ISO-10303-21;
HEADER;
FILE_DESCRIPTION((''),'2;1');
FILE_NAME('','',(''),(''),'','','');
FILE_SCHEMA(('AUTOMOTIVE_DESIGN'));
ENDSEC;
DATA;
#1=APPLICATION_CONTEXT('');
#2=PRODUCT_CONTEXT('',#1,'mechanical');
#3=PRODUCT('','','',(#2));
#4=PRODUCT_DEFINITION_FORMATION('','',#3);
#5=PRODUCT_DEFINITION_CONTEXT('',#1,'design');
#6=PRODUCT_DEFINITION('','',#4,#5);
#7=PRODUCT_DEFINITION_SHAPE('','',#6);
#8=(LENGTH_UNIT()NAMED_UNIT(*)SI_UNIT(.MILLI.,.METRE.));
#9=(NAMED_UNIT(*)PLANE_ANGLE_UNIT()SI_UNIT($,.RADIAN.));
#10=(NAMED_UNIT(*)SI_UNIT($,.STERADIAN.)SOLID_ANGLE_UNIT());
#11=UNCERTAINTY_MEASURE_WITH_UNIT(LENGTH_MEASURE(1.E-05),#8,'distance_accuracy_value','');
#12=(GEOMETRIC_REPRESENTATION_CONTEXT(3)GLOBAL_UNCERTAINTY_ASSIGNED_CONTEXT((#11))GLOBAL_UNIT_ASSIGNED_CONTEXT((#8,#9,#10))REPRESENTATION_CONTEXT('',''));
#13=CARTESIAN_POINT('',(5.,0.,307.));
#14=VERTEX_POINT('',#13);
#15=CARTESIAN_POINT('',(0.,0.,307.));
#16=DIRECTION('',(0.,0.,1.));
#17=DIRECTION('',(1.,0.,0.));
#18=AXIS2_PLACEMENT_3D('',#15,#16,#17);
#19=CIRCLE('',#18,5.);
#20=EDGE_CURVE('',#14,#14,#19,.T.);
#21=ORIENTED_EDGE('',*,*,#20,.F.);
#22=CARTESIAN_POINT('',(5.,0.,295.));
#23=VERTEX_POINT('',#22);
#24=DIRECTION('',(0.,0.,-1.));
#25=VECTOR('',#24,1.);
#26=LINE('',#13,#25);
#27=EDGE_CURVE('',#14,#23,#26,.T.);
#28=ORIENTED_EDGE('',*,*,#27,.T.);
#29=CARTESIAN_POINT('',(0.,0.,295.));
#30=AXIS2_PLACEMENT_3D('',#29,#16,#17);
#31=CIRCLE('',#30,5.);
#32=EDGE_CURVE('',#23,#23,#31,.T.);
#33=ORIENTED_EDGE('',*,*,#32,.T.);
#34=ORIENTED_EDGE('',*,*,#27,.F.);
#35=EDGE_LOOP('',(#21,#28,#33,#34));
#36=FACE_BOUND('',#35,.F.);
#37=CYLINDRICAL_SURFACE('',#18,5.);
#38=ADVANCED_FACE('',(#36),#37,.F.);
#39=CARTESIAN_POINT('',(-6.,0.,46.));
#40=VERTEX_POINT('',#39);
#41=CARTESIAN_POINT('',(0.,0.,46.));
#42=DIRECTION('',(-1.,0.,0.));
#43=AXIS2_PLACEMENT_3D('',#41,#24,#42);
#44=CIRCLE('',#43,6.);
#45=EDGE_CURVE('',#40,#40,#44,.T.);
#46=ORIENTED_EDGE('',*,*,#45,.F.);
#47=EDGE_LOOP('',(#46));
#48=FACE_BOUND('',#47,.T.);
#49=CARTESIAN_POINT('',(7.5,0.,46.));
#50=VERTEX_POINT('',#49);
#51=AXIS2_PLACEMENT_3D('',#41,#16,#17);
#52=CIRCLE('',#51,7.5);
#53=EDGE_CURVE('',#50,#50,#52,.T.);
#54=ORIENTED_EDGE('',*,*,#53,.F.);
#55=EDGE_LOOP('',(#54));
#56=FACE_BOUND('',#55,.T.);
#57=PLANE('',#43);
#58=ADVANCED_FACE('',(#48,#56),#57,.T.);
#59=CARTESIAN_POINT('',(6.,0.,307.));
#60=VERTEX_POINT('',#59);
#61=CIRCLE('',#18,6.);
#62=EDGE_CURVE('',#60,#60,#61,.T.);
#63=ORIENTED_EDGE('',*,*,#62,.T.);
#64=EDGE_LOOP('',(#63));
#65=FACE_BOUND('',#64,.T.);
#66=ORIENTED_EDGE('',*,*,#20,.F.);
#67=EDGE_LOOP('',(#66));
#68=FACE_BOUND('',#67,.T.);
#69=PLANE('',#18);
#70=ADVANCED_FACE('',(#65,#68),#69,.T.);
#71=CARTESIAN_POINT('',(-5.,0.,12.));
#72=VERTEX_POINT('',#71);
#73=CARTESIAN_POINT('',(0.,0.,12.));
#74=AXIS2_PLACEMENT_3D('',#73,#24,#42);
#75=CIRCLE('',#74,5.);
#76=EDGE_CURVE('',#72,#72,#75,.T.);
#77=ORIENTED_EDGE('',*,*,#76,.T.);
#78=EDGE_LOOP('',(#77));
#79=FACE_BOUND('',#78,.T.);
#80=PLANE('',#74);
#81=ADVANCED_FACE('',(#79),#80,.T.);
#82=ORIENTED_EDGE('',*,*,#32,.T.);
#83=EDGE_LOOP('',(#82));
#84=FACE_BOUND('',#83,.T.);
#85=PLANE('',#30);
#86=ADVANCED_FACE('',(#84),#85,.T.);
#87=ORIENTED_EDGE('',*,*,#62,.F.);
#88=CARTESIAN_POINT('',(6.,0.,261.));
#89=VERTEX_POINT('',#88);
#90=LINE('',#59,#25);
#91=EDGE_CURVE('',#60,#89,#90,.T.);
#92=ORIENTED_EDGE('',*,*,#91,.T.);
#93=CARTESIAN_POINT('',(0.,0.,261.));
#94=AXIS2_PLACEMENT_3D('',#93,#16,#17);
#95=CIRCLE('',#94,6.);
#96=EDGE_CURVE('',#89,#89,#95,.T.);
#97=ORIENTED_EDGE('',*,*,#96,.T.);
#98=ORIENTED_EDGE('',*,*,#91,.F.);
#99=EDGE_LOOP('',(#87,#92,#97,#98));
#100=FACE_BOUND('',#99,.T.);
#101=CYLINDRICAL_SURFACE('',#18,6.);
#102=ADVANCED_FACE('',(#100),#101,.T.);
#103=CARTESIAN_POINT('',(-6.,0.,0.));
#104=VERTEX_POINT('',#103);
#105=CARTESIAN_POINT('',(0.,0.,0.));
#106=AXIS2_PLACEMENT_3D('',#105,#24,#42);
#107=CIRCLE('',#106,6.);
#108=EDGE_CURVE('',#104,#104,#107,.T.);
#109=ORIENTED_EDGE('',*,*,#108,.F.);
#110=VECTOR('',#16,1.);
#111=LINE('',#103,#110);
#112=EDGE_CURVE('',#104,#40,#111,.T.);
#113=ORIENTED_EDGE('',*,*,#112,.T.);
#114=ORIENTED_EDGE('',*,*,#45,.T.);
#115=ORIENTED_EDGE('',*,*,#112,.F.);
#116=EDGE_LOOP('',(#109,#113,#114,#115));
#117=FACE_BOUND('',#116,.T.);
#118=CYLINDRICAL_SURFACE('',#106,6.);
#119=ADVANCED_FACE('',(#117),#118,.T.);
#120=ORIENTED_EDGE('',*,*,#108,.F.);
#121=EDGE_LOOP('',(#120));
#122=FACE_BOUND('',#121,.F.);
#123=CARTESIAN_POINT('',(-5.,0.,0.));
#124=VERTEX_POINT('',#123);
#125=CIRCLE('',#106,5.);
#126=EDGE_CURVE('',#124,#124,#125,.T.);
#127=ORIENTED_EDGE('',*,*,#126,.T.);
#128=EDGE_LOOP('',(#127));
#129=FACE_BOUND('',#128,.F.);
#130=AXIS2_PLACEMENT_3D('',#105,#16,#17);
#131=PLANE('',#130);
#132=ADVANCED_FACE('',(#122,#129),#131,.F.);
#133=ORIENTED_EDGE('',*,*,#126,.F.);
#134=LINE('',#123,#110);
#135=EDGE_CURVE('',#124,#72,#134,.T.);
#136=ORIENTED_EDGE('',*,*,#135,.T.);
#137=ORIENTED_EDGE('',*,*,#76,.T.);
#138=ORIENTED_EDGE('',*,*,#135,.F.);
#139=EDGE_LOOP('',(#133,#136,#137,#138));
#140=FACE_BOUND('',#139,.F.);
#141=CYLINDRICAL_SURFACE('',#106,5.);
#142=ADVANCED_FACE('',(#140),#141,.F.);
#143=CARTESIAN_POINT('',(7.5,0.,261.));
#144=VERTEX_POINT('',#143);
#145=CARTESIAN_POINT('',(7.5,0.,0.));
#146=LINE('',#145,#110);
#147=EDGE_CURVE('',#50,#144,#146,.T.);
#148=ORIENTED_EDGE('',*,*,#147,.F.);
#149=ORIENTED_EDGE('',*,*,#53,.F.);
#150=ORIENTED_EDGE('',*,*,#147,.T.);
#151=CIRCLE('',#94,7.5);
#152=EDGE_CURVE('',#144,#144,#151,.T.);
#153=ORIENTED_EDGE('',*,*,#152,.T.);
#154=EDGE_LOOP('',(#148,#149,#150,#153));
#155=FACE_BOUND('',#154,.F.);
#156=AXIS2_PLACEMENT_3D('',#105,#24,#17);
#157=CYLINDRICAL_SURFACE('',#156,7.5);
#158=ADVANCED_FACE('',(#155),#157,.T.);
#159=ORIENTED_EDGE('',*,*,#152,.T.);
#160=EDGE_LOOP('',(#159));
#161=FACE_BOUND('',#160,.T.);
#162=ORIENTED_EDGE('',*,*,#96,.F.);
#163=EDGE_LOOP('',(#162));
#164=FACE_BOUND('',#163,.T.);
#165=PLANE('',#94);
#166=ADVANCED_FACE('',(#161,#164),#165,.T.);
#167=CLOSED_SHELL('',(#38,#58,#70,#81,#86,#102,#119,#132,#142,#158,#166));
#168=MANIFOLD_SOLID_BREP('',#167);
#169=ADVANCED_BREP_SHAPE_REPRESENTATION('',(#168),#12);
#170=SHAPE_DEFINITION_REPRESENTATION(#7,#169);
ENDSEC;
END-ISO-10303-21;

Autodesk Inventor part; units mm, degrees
ref_plane "YZ Plane" through (0, 0, 0) normal (1, 0, 0) x (0, 1, 0)
ref_plane "XZ Plane" through (0, 0, 0) normal (0, 1, 0) x (-1, 0, 0)
ref_plane "XY Plane" through (0, 0, 0) normal (0, 0, 1) x (1, 0, 0)
sketch "Sketch1" plane through (0, 0, 0) normal (0, 0, 1) x (1, 0, 0)
  circle A0 centre (0, 0) radius 7.5
  dimension "d0" = 15
extrude "Extrusion1" add sketch "Sketch1" along normal blind 307
sketch "Sketch2" plane through (0, 0, 307) normal (0, 0, 1) x (1, 0, 0)
  circle A0 centre (0, 0) radius 6
  circle A1 centre (0, 0) radius 7.5
  dimension "d3" = 12
extrude "Extrusion2" cut sketch "Sketch2" against normal blind 46
sketch "Sketch3" plane through (0, 0, 307) normal (0, 0, 1) x (1, 0, 0)
  circle A0 centre (0, 0) radius 5
  dimension "d6" = 10
extrude "Extrusion3" cut sketch "Sketch3" against normal blind 12
sketch "Sketch4" plane through (0, 0, 0) normal (0, 0, -1) x (-1, 0, 0)
  circle A0 centre (0, 0) radius 5
  circle A1 centre (0, 0) radius 7.5
  circle A2 centre (0, 0) radius 6 projected
  circle A3 centre (0, 0) radius 5
  dimension "d9" = 15
extrude "Extrusion4" cut sketch "Sketch4" against normal blind 46 contours A1
sketch "Sketch5" plane through (0, 0, 0) normal (0, 0, -1) x (-1, 0, 0)
  circle A0 centre (0, 0) radius 5
  dimension "d12" = 10
extrude "Extrusion5" cut sketch "Sketch5" against normal blind 12
